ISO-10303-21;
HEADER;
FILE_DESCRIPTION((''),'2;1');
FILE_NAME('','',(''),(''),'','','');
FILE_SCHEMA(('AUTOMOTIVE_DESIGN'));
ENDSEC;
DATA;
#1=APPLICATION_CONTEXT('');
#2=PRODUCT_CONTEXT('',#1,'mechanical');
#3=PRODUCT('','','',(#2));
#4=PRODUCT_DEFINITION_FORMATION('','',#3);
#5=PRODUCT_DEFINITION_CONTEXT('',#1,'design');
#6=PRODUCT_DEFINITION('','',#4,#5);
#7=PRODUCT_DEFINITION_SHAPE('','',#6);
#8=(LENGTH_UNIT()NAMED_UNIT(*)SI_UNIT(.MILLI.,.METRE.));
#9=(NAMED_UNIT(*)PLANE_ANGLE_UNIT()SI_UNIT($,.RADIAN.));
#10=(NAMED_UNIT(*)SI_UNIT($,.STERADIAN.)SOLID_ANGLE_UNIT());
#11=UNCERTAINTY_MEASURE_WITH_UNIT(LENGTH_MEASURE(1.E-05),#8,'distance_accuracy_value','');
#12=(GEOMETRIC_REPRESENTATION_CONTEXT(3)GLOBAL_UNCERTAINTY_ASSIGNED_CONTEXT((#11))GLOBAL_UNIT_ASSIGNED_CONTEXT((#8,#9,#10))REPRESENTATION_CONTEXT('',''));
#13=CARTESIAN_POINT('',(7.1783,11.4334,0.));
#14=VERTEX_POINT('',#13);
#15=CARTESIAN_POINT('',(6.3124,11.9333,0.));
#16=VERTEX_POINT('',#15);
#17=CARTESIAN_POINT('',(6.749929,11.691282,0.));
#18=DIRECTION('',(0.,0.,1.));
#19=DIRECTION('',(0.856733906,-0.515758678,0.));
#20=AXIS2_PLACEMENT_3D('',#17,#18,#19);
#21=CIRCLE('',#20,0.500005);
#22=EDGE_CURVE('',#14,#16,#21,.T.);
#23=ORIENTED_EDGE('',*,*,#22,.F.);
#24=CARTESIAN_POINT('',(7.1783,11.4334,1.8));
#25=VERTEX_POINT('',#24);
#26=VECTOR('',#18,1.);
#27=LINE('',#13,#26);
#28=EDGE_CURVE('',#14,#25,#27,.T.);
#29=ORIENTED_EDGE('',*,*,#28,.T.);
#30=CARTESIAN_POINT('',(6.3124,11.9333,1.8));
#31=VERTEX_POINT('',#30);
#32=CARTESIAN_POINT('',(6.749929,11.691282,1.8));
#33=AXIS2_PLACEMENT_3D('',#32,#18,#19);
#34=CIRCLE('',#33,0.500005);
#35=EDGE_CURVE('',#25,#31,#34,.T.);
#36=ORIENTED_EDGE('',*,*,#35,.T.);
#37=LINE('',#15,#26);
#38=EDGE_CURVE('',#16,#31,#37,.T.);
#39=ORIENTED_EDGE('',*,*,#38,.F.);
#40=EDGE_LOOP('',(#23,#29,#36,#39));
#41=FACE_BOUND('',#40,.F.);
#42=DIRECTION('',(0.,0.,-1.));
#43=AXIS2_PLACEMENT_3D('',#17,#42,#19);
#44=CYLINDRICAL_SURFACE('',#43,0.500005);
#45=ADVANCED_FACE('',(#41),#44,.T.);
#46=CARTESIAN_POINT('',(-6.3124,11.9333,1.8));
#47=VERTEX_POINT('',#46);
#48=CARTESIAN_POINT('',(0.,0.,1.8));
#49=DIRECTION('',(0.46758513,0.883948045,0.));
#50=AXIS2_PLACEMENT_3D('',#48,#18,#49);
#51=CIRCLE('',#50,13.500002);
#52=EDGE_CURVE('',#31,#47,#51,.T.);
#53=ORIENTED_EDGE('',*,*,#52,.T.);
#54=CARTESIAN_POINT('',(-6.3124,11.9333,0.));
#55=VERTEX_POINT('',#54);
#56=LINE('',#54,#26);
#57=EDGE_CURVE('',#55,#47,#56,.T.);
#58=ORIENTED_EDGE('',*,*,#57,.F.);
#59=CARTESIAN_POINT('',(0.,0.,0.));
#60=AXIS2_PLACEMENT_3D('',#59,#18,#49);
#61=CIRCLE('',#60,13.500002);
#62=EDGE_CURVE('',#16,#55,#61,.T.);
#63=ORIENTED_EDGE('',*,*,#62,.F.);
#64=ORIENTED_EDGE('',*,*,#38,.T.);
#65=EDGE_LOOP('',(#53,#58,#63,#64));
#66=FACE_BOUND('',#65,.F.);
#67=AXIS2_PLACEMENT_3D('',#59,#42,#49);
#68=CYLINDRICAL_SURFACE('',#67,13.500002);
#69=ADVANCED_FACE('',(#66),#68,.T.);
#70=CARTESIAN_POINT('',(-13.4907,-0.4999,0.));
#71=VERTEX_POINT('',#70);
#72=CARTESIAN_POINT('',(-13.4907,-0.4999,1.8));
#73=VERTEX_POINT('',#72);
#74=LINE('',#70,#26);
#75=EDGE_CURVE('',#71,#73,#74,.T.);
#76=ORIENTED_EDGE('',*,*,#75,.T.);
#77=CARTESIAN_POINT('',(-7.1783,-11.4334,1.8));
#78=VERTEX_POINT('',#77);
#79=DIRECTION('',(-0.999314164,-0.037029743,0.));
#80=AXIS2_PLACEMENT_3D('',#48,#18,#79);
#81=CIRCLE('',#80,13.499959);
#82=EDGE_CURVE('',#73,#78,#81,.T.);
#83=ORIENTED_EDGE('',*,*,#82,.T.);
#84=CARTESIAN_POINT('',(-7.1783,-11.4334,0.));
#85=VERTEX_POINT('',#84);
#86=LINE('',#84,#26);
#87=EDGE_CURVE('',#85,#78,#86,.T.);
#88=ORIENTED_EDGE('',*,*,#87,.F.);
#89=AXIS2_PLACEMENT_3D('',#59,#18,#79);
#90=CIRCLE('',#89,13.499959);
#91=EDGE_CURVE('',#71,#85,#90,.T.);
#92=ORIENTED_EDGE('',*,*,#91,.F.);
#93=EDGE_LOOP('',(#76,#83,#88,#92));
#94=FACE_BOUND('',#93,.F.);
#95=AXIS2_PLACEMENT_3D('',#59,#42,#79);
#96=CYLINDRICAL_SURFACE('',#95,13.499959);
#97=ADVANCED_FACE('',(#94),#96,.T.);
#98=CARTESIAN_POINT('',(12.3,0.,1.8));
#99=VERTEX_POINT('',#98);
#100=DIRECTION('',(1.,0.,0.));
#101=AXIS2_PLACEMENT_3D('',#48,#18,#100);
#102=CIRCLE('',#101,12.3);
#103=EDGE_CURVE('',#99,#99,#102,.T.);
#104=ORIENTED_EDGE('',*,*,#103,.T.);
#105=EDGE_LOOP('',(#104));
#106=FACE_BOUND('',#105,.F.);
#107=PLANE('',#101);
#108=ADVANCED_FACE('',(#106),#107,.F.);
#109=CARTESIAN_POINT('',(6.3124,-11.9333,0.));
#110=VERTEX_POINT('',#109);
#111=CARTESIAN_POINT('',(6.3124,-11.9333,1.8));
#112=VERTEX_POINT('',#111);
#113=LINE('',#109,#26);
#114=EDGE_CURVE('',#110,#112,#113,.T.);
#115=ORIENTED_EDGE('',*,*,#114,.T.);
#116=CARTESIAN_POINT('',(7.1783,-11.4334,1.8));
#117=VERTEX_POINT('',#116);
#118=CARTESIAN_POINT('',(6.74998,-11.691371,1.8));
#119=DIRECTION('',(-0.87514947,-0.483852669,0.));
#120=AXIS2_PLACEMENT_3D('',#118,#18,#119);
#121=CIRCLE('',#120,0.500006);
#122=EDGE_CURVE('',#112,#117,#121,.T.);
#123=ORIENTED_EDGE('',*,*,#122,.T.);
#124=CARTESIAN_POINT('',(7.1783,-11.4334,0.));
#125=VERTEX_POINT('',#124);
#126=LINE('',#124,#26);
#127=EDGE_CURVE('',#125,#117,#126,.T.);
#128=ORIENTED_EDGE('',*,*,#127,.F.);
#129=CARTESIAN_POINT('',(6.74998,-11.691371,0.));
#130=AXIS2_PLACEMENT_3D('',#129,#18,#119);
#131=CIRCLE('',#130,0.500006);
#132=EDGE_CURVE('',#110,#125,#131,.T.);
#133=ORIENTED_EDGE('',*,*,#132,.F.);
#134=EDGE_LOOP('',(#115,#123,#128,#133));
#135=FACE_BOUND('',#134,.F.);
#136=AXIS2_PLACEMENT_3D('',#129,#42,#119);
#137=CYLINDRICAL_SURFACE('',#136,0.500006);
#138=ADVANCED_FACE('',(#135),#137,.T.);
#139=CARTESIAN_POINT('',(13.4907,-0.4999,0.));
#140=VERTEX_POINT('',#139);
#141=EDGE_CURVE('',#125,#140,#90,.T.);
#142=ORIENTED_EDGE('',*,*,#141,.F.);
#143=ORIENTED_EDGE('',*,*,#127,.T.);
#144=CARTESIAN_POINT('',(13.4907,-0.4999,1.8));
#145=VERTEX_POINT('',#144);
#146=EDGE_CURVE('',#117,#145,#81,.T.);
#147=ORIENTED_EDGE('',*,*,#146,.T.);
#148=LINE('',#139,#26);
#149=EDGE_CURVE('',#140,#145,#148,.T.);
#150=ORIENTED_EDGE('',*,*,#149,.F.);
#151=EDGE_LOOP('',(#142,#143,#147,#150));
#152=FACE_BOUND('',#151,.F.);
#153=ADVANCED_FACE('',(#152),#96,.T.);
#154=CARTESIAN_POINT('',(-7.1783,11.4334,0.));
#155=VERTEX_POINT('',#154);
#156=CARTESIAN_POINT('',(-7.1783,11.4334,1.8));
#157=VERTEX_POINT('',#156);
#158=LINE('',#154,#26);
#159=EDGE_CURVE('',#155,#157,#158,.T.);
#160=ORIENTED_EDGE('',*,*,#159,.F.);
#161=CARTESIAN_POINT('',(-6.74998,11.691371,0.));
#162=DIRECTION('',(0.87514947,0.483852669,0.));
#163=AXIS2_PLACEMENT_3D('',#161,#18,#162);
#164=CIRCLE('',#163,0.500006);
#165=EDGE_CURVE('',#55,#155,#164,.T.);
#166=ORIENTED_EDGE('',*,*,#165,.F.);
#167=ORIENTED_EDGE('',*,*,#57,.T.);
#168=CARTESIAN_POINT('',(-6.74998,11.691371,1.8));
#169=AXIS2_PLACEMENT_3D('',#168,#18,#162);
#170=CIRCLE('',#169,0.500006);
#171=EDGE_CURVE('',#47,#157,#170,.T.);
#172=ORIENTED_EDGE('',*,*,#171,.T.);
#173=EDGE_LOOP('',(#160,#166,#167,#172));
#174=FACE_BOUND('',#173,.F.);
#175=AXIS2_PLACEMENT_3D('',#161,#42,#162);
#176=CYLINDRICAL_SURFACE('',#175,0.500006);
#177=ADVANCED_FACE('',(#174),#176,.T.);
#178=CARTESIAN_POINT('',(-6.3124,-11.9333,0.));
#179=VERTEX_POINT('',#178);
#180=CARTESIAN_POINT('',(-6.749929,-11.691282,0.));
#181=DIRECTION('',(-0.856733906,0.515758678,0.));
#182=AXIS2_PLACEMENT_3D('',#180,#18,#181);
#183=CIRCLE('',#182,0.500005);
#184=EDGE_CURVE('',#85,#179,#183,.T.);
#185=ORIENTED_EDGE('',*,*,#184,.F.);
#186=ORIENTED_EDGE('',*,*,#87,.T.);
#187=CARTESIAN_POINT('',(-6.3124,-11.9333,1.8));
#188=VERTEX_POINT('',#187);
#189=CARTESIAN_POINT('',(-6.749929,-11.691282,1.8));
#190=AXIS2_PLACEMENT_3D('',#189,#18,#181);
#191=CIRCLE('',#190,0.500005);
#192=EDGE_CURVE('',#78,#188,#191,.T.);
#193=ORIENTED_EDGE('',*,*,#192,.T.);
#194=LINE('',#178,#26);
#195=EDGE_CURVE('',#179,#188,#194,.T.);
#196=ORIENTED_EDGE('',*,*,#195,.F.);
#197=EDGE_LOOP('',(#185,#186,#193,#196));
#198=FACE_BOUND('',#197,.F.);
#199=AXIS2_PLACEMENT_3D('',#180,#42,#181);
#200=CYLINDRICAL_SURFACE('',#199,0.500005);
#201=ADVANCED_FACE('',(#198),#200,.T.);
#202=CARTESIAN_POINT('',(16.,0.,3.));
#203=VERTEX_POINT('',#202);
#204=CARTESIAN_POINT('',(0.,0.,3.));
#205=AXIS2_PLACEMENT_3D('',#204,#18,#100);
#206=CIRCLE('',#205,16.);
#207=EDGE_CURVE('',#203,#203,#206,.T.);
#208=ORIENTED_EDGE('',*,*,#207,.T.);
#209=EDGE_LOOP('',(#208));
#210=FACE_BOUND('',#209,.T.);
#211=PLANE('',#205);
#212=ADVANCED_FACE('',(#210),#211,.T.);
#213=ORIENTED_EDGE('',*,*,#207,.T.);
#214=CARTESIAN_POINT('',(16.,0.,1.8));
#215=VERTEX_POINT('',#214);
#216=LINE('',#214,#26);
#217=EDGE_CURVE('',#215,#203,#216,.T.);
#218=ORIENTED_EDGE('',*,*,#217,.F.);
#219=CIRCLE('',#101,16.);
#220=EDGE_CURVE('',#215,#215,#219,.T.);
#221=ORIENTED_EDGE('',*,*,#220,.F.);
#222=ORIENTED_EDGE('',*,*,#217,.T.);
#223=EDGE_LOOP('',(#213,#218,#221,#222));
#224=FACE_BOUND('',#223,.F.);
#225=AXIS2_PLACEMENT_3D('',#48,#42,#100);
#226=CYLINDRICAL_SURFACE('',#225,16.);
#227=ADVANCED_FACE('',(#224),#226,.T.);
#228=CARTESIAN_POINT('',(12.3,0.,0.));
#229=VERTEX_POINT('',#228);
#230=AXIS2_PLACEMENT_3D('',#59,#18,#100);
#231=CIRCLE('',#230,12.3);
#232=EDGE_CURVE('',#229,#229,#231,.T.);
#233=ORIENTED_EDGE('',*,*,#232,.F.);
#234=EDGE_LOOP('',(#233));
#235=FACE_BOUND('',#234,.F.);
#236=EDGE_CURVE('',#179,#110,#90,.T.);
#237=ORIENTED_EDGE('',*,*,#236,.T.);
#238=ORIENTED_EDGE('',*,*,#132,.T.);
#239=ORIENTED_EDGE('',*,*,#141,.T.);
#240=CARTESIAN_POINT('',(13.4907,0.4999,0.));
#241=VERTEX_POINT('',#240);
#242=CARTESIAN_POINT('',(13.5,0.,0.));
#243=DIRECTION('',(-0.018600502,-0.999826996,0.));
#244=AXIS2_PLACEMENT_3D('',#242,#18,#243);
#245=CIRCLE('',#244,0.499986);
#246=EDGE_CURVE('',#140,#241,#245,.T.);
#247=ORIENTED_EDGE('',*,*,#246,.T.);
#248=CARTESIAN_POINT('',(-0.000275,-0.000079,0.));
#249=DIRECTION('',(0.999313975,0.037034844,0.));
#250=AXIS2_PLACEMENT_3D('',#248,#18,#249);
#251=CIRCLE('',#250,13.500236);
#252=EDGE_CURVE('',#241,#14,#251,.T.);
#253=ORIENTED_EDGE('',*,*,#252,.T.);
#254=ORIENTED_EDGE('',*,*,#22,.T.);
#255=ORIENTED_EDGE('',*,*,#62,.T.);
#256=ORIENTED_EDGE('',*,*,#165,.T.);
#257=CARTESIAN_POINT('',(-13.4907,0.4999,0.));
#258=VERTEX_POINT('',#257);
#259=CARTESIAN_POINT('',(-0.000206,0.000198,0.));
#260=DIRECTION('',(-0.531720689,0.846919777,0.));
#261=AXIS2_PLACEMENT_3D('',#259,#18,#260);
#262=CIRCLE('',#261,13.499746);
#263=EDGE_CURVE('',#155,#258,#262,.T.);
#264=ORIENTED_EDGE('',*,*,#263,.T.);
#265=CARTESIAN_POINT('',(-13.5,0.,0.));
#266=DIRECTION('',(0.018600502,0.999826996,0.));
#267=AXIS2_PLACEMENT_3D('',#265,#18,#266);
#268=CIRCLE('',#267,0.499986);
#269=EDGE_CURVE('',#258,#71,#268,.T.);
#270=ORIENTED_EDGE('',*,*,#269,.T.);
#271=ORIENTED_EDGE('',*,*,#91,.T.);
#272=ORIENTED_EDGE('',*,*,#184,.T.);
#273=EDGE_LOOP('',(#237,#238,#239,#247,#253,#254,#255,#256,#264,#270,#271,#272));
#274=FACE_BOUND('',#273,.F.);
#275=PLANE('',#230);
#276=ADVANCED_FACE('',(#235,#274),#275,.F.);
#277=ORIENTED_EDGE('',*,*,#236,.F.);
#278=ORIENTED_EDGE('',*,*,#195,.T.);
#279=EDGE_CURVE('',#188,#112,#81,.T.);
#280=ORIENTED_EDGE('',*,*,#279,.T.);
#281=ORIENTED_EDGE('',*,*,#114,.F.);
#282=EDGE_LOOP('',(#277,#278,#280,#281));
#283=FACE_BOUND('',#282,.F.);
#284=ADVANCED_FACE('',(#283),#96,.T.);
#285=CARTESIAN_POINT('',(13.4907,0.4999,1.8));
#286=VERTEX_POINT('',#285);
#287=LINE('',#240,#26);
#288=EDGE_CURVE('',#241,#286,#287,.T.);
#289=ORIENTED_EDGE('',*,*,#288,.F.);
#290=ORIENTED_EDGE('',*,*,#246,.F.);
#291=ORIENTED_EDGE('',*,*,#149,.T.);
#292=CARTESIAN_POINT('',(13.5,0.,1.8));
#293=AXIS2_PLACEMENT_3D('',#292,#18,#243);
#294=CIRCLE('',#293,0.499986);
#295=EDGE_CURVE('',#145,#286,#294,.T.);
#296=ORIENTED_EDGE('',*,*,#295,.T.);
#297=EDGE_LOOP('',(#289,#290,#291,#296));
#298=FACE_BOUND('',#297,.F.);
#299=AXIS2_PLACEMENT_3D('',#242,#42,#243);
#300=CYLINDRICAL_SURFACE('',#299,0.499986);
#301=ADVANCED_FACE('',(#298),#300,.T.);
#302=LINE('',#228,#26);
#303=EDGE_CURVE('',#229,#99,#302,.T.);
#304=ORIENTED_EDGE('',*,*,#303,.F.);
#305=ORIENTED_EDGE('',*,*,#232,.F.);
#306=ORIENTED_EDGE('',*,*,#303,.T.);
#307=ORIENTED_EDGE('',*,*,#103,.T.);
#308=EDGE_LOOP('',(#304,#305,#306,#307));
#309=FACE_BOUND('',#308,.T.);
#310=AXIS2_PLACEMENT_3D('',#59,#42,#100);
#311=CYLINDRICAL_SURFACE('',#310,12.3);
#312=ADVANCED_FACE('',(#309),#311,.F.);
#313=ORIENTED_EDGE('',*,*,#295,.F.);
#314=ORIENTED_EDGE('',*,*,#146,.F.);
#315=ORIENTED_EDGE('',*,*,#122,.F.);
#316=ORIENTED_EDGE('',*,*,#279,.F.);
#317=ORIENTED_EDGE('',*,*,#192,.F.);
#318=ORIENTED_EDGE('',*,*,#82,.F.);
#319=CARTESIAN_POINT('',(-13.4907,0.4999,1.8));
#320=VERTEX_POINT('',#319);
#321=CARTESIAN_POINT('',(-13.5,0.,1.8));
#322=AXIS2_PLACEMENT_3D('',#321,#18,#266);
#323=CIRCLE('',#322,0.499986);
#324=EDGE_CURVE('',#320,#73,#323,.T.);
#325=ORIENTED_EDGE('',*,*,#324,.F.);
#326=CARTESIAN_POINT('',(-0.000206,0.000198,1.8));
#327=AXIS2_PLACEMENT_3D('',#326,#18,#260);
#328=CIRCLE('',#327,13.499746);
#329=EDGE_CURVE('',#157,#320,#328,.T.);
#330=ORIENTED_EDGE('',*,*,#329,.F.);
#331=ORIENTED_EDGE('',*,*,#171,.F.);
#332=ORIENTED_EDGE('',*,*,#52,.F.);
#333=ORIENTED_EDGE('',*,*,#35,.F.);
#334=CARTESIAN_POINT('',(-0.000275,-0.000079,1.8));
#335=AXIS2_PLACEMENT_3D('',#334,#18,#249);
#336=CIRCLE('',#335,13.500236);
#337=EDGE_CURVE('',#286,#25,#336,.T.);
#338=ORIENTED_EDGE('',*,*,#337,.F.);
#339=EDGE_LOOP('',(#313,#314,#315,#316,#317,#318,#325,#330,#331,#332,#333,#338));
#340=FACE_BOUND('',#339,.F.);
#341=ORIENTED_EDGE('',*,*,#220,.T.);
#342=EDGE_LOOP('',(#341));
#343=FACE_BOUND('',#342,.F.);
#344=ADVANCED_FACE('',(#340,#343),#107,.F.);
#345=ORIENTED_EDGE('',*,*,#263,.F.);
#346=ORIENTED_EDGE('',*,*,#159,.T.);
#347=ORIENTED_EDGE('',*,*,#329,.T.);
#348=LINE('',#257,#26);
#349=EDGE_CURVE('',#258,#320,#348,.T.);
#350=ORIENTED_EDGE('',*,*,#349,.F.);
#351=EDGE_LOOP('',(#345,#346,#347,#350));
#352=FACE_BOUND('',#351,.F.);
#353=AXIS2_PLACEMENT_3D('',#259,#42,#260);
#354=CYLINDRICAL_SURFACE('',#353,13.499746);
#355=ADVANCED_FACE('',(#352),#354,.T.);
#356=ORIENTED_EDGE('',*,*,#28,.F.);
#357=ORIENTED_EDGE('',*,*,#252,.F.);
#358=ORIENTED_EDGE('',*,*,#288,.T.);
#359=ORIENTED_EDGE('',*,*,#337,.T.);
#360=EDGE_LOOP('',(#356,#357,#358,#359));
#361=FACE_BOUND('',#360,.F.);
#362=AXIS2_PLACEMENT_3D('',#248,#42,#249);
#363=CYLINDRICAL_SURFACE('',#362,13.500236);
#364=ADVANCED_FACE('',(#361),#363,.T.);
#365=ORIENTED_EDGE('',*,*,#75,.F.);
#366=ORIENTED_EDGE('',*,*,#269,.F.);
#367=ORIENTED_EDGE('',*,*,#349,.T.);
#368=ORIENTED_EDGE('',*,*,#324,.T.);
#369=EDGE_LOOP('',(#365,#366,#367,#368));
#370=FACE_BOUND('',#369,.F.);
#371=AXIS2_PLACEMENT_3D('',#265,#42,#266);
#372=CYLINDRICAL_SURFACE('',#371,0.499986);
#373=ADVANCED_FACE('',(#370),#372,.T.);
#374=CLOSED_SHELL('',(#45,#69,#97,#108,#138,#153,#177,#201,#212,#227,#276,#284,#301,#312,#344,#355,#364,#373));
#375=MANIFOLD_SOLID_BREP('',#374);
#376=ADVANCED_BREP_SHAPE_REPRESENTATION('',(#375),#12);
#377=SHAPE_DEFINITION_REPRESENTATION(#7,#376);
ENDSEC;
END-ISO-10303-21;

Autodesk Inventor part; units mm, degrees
ref_plane "YZ Plane" through (0, 0, 0) normal (1, 0, 0) x (0, 1, 0)
ref_plane "XZ Plane" through (0, 0, 0) normal (0, 1, 0) x (-1, 0, 0)
ref_plane "XY Plane" through (0, 0, 0) normal (0, 0, 1) x (1, 0, 0)
sketch "Skizze1" plane through (0, 0, 0) normal (0, 0, 1) x (1, 0, 0)
  circle A0 centre (0, 0) radius 12.3
  arc A1 (13.4907, -0.4999) -> (13.4907, 0.4999) centre (13.5, 0) ccw
  arc A2 (-13.4907, -0.4999) -> (13.4907, -0.4999) centre (0, 0) ccw
  line L0 (0, -18.9) -> (0, 18.9) construction
  line L1 (-20.7866, 0) -> (20.7866, 0) construction
  arc A3 (7.1783, 11.4334) -> (6.3124, 11.9333) centre (6.75, 11.6913) ccw
  arc A4 (-6.3124, 11.9333) -> (-7.1783, 11.4334) centre (-6.75, 11.6913) ccw
  arc A5 (-13.4907, 0.4999) -> (-13.4907, -0.4999) centre (-13.5, 0) ccw
  arc A6 (-7.1783, -11.4334) -> (-6.3124, -11.9333) centre (-6.75, -11.6913) ccw
  arc A7 (6.3124, -11.9333) -> (7.1783, -11.4334) centre (6.75, -11.6913) ccw
  arc A8 (13.4907, 0.4999) -> (7.1783, 11.4334) centre (0, 0) ccw
  arc A9 (6.3124, 11.9333) -> (-6.3124, 11.9333) centre (0, 0) ccw
  arc A10 (-7.1783, 11.4334) -> (-13.4907, 0.4999) centre (0, 0) ccw
  point P0 (-13.4907, -0.4999)
  point P1 (-6.3124, -11.9333)
  dimension "d3" = 0
  dimension "d7" = 1
  dimension "d9" = 13.5
  dimension "d10" = 24.6
  dimension "d11" = 13.5
  dimension "d12" = 0
  dimension "d13" = 13.4907
  dimension "d14" = 13.4907
  dimension "d69" = 360
extrude "Extrusion1" add sketch "Skizze1" along normal blind 1.8
sketch "Skizze2" plane through (0, 0, 1.8) normal (0, 0, 1) x (1, 0, 0)
  circle A0 centre (0, 0) radius 16
  dimension "d15" = 32
extrude "Extrusion2" add sketch "Skizze2" along normal blind 1.2
properties part number "Lid_plain" material "PC/ABS-Kunststoff"
